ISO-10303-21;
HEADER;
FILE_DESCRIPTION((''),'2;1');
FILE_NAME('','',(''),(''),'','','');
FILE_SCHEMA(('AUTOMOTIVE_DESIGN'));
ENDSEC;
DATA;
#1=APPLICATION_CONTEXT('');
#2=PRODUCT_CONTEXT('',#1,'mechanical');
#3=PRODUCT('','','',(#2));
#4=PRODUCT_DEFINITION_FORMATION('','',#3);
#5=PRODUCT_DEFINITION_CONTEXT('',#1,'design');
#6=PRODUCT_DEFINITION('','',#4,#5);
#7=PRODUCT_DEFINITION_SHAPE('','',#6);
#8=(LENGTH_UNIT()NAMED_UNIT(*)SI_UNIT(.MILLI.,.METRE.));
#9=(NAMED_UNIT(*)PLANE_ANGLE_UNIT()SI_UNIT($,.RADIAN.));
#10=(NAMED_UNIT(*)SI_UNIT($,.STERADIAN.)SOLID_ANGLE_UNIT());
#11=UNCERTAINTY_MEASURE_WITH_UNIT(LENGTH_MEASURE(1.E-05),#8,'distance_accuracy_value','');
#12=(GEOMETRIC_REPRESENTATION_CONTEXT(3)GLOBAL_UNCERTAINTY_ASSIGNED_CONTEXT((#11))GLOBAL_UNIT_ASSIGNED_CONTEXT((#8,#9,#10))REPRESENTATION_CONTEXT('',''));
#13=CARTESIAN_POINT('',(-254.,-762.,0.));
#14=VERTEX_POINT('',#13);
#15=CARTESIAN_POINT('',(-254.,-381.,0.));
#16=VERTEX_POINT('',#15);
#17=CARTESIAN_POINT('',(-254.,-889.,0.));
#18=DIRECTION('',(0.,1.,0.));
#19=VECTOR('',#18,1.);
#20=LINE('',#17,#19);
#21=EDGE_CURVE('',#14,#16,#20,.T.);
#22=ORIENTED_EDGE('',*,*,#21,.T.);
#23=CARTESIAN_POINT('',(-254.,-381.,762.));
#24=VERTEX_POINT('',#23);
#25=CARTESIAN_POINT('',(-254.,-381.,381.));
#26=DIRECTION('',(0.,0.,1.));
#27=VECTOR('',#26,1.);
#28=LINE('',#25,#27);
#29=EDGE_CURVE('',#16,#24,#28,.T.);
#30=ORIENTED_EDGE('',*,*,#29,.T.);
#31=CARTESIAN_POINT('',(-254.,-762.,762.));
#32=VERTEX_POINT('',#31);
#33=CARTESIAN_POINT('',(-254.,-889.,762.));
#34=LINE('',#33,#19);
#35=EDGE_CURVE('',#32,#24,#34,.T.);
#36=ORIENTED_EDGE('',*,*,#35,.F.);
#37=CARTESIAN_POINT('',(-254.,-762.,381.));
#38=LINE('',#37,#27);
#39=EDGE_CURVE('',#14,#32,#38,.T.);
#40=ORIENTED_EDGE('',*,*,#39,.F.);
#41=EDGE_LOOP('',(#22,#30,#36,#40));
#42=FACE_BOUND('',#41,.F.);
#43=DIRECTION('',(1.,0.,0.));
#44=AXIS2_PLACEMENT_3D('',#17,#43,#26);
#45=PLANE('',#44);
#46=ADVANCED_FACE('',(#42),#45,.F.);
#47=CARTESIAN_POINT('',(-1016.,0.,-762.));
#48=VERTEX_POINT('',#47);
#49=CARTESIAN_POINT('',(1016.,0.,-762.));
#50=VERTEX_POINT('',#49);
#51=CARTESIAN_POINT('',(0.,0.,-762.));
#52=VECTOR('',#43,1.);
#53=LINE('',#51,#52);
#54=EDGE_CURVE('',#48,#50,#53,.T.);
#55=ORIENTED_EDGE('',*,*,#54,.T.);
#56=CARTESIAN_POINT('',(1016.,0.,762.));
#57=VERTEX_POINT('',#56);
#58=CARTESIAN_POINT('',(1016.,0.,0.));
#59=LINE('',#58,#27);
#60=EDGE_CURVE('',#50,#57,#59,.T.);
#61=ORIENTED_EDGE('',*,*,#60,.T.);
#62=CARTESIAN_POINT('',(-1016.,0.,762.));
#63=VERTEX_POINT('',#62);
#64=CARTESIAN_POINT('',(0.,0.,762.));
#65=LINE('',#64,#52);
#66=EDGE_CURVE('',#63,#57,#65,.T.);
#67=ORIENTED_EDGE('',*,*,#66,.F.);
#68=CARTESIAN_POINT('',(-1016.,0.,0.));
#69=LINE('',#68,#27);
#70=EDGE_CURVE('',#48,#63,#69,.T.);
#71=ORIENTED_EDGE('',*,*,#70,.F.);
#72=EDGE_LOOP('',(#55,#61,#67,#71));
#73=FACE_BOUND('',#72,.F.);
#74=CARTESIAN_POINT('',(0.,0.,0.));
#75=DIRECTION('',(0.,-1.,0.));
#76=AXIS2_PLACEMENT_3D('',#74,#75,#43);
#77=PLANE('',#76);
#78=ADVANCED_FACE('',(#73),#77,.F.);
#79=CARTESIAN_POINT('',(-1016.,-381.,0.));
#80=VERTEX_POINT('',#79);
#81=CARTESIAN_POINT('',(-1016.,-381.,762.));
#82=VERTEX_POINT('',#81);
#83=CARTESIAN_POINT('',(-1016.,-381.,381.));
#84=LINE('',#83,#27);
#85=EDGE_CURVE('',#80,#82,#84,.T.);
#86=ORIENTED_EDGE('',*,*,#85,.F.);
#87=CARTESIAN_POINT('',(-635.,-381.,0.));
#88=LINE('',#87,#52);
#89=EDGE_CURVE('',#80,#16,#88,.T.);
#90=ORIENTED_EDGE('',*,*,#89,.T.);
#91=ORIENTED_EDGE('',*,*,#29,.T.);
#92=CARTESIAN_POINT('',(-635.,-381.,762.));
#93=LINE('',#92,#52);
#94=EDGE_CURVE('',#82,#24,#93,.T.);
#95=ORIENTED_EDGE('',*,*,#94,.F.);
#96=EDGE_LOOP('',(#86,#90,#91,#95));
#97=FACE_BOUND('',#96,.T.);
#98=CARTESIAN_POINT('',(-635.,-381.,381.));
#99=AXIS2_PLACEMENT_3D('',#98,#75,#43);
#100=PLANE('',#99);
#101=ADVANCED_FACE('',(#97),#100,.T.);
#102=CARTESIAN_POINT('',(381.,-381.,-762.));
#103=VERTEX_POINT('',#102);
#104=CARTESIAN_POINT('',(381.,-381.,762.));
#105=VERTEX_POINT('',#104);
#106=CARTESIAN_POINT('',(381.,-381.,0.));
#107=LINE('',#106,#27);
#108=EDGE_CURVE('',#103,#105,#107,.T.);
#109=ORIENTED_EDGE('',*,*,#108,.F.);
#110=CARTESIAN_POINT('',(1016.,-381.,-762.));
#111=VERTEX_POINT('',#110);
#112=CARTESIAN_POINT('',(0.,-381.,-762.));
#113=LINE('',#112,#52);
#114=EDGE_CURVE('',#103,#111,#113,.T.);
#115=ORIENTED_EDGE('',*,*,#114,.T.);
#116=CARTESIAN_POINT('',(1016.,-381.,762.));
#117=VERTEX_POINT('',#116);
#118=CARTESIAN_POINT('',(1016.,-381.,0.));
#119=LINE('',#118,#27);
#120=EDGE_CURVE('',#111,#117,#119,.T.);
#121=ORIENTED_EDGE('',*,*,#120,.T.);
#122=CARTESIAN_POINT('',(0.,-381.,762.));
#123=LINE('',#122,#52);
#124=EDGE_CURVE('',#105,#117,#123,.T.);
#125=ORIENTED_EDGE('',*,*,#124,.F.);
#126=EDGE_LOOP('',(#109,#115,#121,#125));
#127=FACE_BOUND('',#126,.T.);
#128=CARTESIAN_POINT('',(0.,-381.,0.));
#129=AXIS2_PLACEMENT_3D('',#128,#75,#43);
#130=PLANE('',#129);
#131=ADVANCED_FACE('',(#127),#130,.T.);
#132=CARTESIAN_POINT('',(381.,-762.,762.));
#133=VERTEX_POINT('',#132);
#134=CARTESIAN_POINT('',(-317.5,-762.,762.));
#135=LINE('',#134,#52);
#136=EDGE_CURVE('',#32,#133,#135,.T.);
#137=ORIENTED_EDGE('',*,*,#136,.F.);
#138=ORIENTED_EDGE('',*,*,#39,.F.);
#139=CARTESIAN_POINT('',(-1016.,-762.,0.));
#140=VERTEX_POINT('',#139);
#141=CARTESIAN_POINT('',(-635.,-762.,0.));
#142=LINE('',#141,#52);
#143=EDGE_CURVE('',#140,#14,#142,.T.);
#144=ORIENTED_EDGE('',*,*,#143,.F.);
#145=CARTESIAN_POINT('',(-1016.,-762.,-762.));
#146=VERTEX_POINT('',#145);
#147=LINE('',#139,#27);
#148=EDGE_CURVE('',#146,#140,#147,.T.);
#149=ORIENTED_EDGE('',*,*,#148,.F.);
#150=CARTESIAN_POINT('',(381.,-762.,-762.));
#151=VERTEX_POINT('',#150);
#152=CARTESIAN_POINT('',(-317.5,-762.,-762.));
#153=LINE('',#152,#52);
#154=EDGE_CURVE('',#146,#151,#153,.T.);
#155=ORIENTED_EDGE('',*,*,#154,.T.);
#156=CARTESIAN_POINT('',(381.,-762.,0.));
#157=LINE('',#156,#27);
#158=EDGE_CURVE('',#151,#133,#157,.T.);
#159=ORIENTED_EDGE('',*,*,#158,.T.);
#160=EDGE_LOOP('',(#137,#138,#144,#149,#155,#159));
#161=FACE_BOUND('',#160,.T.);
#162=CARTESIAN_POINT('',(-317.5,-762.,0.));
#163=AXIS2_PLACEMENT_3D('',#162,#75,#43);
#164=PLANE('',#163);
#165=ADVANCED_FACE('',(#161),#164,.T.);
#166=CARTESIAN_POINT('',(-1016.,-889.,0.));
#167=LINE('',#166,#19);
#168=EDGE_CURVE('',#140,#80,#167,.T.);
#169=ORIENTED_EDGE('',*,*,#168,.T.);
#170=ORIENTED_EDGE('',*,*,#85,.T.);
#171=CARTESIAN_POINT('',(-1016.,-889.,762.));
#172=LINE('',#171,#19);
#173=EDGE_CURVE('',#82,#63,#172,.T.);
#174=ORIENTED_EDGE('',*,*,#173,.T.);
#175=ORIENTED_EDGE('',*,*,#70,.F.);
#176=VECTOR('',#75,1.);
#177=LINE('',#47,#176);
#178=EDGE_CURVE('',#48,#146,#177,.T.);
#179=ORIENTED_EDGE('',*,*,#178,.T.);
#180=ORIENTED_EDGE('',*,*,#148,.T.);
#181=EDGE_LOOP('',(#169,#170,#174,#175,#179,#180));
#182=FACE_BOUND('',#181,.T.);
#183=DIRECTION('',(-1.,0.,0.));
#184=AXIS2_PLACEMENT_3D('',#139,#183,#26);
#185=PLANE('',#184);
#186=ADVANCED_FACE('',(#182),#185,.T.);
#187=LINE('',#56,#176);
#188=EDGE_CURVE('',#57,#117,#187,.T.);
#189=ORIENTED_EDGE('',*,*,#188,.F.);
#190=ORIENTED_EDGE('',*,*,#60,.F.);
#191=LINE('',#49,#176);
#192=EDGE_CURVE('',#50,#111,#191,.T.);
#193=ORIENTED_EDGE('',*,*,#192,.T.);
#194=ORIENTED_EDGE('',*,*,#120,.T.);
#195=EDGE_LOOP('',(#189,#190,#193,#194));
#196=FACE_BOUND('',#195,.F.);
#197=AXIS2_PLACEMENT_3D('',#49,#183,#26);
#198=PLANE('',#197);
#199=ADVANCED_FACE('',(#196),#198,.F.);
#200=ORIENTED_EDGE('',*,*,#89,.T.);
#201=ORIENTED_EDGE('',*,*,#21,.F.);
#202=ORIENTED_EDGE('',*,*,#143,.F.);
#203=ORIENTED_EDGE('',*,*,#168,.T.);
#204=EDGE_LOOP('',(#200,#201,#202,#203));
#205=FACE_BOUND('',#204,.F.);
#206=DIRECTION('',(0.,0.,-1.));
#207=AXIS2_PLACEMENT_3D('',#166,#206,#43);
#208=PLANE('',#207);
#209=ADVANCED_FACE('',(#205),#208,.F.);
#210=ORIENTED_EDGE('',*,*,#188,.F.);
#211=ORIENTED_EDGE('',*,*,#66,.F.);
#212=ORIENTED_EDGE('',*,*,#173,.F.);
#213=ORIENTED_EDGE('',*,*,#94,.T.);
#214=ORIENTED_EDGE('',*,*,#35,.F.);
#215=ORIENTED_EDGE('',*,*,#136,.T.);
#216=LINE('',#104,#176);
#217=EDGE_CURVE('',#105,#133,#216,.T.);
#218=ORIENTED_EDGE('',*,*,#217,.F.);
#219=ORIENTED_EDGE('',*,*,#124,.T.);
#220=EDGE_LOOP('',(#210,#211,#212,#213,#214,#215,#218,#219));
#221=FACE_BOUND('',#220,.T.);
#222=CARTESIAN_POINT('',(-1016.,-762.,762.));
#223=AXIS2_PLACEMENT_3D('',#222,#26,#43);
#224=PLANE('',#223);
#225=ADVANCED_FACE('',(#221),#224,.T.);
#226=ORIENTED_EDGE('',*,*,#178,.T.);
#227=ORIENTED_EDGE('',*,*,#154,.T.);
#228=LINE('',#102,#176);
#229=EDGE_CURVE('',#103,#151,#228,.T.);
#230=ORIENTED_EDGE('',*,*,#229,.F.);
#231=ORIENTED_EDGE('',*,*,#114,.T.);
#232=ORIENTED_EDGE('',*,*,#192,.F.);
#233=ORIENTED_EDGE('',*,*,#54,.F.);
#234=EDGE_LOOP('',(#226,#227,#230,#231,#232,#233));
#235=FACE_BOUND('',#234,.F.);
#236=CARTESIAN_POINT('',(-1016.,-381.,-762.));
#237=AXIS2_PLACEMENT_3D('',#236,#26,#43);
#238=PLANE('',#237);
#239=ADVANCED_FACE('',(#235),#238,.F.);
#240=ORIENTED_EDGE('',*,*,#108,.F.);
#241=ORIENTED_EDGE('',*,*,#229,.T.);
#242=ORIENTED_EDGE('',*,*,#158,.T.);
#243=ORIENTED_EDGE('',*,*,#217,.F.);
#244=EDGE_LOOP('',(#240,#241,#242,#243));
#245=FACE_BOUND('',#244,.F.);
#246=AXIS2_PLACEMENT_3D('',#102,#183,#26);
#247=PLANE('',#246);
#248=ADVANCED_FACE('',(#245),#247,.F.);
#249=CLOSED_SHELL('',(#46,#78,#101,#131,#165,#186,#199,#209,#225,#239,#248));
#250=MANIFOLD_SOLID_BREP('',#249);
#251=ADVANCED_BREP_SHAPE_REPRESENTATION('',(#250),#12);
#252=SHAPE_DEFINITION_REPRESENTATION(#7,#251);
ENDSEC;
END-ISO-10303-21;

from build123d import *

# Parameters (mm, degrees)
F0_W      = 2032
F0_H      = 1524
F1_DEPTH  = 381
F2_W      = 1397
F2_H      = 1524
F3_DEPTH  = 381
F4_W      = 762
F4_H      = 762
F5_DEPTH  = 127
F5_FACE_W = 762
F5_FACE_H = 762
F6_DEPTH  = 508


with BuildPart() as f1:
    # F0 (on Front) → F1 (new body)
    with BuildSketch(Plane.XZ):
        Rectangle(F0_W, F0_H)
    extrude(amount=F1_DEPTH)

    # F2 (on face) → F3 (join)
    with BuildSketch(Plane.XZ.offset(381)):
        with Locations((-317.5, 0)):
            Rectangle(F2_W, F2_H)
    extrude(amount=F3_DEPTH)

    # F4 (on face) → F5 (join)
    with BuildSketch(Plane.XZ.offset(762)):
        with Locations((-635, 381)):
            Rectangle(F4_W, F4_H)
    extrude(amount=F5_DEPTH)

    # F5_face (on face) → F6 (cut, through all)
    with BuildSketch(Plane(origin=(-635, -889, 381), x_dir=(1, 0, 0), z_dir=(0, -1, 0))):
        Rectangle(F5_FACE_W, F5_FACE_H)
    extrude(amount=-F6_DEPTH, mode=Mode.SUBTRACT)


solid = f1.part
